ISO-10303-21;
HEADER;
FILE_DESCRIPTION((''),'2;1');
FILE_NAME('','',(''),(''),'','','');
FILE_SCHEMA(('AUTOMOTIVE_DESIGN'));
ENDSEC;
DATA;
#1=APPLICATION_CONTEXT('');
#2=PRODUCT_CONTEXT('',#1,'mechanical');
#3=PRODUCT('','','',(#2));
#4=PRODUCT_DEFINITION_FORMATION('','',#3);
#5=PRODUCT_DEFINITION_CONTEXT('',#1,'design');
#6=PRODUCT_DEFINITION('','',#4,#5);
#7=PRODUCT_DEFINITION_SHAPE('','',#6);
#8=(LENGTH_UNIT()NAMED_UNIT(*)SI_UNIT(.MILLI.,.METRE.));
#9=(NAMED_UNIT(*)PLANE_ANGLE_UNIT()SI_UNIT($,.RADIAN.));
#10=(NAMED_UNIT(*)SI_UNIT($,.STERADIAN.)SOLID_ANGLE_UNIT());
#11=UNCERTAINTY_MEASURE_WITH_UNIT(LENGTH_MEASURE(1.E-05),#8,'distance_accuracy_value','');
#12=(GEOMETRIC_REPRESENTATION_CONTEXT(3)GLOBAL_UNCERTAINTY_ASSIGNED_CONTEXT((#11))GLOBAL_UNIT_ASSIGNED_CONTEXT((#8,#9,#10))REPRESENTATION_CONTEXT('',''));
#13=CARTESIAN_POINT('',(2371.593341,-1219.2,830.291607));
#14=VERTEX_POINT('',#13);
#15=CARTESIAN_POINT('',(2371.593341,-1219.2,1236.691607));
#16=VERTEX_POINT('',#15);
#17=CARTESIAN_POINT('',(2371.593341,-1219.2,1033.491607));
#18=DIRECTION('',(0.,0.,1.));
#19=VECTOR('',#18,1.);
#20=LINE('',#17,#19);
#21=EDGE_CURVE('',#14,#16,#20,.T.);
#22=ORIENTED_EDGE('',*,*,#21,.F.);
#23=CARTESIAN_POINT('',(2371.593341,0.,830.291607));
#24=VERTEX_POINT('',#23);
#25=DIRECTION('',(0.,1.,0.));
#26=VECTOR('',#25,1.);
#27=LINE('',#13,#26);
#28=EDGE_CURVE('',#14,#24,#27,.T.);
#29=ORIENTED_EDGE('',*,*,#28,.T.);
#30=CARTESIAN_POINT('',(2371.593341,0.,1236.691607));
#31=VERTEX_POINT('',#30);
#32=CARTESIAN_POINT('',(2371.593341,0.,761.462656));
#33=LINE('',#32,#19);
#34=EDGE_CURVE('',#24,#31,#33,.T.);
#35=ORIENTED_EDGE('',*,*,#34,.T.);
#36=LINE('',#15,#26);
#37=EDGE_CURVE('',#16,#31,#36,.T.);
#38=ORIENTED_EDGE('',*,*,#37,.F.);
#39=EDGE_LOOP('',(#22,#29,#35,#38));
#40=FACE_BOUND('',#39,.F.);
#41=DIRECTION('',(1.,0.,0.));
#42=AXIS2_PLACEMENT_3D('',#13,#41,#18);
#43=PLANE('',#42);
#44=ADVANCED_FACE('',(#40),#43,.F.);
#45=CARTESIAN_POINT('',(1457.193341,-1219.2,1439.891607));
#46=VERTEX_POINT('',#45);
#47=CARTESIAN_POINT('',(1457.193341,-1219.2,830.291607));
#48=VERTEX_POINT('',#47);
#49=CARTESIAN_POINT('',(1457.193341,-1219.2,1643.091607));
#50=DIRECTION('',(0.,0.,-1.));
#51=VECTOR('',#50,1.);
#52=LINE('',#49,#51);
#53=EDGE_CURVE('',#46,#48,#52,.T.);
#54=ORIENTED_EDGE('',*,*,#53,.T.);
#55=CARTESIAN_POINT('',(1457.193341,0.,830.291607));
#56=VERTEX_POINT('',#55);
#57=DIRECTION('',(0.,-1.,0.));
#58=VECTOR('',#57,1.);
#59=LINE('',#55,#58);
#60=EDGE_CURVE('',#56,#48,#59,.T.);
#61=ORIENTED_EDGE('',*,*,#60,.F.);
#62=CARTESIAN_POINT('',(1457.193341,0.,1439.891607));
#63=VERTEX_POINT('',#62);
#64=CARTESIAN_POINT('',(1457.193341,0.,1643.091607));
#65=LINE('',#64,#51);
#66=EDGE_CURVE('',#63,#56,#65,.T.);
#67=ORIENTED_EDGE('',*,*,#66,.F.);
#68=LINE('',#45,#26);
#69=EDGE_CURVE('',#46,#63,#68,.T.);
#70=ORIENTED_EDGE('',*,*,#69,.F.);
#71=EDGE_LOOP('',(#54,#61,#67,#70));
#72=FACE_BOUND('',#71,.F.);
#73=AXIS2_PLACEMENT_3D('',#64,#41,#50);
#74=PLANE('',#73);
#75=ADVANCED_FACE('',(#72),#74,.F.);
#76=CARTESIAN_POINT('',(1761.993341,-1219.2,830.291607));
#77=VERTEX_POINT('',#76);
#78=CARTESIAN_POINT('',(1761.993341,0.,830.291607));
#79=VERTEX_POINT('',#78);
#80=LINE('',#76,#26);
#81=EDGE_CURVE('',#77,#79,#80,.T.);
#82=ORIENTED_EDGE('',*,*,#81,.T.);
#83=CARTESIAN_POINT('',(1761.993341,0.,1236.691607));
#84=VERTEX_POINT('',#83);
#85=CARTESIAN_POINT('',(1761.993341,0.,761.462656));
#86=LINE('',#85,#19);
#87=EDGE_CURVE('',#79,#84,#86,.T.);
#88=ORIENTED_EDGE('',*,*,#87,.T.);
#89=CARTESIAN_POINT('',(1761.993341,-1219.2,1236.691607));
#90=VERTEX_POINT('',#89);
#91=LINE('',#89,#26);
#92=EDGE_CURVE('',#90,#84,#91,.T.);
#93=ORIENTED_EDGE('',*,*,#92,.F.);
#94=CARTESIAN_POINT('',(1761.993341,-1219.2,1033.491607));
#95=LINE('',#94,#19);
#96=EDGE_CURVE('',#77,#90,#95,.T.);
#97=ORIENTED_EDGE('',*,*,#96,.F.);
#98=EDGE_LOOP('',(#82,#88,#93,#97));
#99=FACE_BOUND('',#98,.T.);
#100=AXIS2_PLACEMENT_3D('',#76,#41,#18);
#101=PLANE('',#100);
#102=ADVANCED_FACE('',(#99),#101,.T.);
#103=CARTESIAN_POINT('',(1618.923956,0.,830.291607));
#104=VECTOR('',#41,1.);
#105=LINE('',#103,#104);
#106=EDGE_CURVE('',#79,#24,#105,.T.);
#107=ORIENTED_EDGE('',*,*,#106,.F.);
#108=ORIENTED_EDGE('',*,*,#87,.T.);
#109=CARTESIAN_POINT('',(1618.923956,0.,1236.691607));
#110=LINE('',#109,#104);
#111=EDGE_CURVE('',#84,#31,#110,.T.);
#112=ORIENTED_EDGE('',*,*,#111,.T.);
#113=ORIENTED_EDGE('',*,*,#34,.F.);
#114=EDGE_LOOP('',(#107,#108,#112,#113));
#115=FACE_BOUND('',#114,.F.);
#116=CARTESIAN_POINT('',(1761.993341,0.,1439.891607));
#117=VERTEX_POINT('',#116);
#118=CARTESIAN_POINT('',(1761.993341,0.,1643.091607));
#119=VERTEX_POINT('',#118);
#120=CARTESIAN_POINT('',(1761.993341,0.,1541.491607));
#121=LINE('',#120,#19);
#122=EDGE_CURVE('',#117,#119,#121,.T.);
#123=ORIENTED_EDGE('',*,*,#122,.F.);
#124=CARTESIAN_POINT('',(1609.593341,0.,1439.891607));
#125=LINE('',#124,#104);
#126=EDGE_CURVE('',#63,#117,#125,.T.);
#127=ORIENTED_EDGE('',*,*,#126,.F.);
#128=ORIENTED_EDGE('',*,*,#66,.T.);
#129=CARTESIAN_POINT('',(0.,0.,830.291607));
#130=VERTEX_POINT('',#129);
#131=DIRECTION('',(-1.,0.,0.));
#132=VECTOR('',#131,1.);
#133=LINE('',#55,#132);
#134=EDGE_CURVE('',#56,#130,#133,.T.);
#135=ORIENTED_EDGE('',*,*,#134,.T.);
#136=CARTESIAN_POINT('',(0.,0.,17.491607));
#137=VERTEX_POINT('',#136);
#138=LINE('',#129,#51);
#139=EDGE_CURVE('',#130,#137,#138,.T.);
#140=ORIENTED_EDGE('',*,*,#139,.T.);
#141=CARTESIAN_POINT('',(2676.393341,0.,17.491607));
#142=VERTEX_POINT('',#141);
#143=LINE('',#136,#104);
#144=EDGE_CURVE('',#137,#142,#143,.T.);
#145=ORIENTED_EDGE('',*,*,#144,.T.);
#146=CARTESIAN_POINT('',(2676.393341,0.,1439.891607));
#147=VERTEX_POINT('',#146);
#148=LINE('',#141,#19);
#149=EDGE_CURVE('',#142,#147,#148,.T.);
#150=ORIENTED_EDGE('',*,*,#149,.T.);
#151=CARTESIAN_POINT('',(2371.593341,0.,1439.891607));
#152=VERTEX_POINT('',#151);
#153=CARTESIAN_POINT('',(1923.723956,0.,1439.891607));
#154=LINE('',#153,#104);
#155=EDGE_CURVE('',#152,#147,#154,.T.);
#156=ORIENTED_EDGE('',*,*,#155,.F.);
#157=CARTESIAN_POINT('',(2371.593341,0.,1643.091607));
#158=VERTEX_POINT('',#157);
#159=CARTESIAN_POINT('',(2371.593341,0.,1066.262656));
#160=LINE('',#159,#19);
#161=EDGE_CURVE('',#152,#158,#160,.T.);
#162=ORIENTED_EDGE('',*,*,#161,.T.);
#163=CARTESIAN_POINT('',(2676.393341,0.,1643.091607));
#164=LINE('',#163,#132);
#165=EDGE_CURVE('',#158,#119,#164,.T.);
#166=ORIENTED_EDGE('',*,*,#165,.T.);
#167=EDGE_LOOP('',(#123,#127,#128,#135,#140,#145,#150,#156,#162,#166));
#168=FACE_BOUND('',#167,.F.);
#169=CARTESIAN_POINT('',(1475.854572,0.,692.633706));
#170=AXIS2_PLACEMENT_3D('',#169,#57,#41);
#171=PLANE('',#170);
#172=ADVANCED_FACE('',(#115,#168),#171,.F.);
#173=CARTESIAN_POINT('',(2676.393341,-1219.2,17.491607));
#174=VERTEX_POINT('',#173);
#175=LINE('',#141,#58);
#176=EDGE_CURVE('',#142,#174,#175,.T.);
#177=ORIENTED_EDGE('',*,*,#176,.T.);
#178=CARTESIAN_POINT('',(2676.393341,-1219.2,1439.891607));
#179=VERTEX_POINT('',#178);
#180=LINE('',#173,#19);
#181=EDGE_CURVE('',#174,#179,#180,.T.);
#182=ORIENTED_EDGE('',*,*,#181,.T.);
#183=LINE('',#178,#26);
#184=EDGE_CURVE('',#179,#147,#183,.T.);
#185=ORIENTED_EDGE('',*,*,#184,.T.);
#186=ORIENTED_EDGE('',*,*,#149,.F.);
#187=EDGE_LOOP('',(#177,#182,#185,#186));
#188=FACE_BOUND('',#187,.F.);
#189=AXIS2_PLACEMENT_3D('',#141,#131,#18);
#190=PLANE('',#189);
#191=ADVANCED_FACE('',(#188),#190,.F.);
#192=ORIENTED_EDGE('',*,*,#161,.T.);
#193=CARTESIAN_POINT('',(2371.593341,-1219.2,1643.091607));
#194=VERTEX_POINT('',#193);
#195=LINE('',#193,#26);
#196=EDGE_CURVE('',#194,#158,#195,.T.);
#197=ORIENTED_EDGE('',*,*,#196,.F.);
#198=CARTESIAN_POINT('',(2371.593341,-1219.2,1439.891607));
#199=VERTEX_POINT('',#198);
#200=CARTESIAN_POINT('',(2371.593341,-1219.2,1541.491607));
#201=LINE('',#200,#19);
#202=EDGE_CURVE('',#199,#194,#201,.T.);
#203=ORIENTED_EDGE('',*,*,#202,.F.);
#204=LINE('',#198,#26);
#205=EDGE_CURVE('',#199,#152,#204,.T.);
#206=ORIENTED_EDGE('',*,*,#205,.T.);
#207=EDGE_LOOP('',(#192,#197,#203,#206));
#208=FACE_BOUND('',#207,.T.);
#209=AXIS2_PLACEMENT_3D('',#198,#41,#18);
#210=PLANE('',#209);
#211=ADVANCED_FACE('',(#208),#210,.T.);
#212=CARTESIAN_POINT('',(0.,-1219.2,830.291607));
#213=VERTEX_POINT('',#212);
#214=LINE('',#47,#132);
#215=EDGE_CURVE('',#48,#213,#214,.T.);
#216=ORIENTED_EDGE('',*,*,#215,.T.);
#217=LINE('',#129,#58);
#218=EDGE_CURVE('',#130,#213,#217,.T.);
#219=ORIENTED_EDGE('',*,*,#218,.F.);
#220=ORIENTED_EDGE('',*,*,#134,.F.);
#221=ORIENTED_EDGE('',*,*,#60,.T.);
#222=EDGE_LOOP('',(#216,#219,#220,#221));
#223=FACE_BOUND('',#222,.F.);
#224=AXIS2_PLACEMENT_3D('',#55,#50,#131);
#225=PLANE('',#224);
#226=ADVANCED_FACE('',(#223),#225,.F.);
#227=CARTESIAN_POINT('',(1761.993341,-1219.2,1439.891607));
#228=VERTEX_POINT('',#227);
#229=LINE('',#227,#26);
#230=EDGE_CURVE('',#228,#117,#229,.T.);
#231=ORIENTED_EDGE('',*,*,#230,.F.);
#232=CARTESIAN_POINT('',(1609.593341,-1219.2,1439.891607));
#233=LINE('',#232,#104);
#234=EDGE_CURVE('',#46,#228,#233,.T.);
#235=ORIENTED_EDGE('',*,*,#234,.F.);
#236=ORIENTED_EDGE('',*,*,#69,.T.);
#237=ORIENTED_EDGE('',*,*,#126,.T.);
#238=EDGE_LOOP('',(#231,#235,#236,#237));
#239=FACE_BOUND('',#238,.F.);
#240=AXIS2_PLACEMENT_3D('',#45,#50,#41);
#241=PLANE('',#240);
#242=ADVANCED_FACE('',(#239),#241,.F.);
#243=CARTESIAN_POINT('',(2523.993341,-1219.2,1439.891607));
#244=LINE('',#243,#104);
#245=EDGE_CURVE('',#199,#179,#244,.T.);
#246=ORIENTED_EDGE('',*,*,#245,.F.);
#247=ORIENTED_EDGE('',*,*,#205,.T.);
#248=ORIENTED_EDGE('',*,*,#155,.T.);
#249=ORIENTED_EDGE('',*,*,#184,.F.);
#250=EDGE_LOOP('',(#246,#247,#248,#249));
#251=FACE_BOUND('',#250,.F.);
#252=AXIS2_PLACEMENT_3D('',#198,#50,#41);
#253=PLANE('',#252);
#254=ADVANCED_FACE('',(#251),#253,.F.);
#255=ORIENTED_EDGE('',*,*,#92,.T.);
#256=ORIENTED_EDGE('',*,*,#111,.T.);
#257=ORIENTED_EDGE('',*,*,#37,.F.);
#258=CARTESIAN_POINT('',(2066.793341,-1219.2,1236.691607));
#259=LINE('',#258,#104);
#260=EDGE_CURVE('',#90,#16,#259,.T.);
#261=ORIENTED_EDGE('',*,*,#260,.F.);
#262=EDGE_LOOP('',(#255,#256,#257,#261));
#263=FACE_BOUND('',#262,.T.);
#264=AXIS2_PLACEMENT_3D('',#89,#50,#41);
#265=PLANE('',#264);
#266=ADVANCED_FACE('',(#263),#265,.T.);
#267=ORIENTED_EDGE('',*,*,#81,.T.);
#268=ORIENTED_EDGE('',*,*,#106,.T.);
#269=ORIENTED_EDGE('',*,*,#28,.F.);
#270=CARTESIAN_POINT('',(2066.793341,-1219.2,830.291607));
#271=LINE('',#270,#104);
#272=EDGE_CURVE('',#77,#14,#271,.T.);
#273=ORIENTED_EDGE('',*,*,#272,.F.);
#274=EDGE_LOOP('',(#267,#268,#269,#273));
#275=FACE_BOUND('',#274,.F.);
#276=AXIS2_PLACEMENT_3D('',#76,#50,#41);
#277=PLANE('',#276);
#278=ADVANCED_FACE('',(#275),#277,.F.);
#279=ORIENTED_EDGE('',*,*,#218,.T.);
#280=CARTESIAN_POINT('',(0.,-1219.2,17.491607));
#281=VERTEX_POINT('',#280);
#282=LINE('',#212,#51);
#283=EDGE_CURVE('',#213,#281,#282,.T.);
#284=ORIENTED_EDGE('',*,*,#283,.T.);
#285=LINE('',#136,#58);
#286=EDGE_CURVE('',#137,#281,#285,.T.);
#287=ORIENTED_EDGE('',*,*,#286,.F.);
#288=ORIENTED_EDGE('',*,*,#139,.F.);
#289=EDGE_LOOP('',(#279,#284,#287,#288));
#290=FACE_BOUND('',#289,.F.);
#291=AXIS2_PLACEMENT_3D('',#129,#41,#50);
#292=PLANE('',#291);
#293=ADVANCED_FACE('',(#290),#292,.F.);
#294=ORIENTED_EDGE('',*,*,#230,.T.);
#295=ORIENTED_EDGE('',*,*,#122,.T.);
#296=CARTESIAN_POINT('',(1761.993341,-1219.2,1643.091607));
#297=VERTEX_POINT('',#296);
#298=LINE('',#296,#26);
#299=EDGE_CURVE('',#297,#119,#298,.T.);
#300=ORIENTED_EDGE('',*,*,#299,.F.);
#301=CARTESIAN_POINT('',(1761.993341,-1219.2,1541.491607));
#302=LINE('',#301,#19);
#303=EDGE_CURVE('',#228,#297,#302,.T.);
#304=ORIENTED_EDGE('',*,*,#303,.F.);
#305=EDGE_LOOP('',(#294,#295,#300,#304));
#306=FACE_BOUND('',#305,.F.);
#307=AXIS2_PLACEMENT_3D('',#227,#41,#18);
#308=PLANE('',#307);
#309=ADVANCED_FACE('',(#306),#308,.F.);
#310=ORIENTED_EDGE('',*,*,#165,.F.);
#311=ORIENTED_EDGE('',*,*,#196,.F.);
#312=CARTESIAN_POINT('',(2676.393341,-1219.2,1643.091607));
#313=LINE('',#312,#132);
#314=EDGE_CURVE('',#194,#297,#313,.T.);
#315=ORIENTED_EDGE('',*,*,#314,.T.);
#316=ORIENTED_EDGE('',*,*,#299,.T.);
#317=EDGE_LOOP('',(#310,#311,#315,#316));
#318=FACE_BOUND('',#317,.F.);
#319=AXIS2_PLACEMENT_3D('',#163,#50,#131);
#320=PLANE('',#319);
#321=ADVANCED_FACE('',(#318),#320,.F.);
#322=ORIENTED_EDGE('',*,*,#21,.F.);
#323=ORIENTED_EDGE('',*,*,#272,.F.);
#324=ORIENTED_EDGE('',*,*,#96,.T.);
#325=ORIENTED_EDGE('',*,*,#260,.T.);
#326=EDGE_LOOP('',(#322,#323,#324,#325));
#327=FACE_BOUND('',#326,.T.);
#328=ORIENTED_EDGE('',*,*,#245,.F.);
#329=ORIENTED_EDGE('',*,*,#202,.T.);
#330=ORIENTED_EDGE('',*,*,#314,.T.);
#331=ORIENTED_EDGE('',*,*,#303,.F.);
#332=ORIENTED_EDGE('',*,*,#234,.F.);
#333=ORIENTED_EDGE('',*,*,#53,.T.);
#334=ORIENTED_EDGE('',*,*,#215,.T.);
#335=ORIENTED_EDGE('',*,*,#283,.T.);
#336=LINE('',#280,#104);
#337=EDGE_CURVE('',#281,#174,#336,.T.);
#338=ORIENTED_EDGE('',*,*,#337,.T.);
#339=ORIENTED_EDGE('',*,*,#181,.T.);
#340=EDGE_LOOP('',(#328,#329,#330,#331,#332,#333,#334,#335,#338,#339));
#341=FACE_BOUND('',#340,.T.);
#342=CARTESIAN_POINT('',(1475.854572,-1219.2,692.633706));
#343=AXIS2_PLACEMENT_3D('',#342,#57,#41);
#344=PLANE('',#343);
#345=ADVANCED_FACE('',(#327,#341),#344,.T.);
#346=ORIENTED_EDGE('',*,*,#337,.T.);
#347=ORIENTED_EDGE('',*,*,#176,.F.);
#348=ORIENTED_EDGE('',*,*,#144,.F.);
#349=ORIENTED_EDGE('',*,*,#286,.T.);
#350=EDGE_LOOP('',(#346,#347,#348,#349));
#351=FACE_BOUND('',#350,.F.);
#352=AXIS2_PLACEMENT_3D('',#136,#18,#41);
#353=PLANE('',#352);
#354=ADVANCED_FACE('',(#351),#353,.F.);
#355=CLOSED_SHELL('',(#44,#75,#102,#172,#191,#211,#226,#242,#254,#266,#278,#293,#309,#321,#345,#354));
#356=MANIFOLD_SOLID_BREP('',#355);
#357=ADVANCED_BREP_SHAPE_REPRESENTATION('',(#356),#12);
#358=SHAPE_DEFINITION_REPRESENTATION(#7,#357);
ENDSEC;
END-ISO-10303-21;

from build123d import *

# Parameters (mm, degrees)
F1_DEPTH = 1219.2
F2_W     = 304.8
F2_H     = 203.2
F3_DEPTH = 1219.2
F4_W     = 304.8
F4_H     = 203.2
F5_DEPTH = 1219.201
F7_W     = 609.6
F7_H     = 406.4
F8_DEPTH = 1219.201


with BuildPart() as f1:
    # F0 (on Front) → F1 (new body)
    with BuildSketch(Plane.XZ):
        Polygon((0, 830.291607), (0, 17.491607), (2676.393341, 17.491607), (2676.393341, 1643.091607), (1457.193341, 1643.091607), (1457.193341, 830.291607), align=None)
    extrude(amount=F1_DEPTH)

    # F2 (on face) → F3 (cut, through all)
    with BuildSketch(Plane.XZ.offset(1219.2)):
        with Locations((1609.593341, 1541.491607)):
            Rectangle(F2_W, F2_H)
    extrude(amount=-F3_DEPTH, mode=Mode.SUBTRACT)

    # F4 (on face) → F5 (cut, through all)
    with BuildSketch(Plane.XZ.offset(1219.2)):
        with Locations((2523.993341, 1541.491607)):
            Rectangle(F4_W, F4_H)
    extrude(amount=-F5_DEPTH, mode=Mode.SUBTRACT)

    # F7 (on face) → F8 (cut, through all)
    with BuildSketch(Plane.XZ.offset(1219.2)):
        with Locations((2066.793341, 1033.491607)):
            Rectangle(F7_W, F7_H)
    extrude(amount=-F8_DEPTH, mode=Mode.SUBTRACT)


solid = f1.part
